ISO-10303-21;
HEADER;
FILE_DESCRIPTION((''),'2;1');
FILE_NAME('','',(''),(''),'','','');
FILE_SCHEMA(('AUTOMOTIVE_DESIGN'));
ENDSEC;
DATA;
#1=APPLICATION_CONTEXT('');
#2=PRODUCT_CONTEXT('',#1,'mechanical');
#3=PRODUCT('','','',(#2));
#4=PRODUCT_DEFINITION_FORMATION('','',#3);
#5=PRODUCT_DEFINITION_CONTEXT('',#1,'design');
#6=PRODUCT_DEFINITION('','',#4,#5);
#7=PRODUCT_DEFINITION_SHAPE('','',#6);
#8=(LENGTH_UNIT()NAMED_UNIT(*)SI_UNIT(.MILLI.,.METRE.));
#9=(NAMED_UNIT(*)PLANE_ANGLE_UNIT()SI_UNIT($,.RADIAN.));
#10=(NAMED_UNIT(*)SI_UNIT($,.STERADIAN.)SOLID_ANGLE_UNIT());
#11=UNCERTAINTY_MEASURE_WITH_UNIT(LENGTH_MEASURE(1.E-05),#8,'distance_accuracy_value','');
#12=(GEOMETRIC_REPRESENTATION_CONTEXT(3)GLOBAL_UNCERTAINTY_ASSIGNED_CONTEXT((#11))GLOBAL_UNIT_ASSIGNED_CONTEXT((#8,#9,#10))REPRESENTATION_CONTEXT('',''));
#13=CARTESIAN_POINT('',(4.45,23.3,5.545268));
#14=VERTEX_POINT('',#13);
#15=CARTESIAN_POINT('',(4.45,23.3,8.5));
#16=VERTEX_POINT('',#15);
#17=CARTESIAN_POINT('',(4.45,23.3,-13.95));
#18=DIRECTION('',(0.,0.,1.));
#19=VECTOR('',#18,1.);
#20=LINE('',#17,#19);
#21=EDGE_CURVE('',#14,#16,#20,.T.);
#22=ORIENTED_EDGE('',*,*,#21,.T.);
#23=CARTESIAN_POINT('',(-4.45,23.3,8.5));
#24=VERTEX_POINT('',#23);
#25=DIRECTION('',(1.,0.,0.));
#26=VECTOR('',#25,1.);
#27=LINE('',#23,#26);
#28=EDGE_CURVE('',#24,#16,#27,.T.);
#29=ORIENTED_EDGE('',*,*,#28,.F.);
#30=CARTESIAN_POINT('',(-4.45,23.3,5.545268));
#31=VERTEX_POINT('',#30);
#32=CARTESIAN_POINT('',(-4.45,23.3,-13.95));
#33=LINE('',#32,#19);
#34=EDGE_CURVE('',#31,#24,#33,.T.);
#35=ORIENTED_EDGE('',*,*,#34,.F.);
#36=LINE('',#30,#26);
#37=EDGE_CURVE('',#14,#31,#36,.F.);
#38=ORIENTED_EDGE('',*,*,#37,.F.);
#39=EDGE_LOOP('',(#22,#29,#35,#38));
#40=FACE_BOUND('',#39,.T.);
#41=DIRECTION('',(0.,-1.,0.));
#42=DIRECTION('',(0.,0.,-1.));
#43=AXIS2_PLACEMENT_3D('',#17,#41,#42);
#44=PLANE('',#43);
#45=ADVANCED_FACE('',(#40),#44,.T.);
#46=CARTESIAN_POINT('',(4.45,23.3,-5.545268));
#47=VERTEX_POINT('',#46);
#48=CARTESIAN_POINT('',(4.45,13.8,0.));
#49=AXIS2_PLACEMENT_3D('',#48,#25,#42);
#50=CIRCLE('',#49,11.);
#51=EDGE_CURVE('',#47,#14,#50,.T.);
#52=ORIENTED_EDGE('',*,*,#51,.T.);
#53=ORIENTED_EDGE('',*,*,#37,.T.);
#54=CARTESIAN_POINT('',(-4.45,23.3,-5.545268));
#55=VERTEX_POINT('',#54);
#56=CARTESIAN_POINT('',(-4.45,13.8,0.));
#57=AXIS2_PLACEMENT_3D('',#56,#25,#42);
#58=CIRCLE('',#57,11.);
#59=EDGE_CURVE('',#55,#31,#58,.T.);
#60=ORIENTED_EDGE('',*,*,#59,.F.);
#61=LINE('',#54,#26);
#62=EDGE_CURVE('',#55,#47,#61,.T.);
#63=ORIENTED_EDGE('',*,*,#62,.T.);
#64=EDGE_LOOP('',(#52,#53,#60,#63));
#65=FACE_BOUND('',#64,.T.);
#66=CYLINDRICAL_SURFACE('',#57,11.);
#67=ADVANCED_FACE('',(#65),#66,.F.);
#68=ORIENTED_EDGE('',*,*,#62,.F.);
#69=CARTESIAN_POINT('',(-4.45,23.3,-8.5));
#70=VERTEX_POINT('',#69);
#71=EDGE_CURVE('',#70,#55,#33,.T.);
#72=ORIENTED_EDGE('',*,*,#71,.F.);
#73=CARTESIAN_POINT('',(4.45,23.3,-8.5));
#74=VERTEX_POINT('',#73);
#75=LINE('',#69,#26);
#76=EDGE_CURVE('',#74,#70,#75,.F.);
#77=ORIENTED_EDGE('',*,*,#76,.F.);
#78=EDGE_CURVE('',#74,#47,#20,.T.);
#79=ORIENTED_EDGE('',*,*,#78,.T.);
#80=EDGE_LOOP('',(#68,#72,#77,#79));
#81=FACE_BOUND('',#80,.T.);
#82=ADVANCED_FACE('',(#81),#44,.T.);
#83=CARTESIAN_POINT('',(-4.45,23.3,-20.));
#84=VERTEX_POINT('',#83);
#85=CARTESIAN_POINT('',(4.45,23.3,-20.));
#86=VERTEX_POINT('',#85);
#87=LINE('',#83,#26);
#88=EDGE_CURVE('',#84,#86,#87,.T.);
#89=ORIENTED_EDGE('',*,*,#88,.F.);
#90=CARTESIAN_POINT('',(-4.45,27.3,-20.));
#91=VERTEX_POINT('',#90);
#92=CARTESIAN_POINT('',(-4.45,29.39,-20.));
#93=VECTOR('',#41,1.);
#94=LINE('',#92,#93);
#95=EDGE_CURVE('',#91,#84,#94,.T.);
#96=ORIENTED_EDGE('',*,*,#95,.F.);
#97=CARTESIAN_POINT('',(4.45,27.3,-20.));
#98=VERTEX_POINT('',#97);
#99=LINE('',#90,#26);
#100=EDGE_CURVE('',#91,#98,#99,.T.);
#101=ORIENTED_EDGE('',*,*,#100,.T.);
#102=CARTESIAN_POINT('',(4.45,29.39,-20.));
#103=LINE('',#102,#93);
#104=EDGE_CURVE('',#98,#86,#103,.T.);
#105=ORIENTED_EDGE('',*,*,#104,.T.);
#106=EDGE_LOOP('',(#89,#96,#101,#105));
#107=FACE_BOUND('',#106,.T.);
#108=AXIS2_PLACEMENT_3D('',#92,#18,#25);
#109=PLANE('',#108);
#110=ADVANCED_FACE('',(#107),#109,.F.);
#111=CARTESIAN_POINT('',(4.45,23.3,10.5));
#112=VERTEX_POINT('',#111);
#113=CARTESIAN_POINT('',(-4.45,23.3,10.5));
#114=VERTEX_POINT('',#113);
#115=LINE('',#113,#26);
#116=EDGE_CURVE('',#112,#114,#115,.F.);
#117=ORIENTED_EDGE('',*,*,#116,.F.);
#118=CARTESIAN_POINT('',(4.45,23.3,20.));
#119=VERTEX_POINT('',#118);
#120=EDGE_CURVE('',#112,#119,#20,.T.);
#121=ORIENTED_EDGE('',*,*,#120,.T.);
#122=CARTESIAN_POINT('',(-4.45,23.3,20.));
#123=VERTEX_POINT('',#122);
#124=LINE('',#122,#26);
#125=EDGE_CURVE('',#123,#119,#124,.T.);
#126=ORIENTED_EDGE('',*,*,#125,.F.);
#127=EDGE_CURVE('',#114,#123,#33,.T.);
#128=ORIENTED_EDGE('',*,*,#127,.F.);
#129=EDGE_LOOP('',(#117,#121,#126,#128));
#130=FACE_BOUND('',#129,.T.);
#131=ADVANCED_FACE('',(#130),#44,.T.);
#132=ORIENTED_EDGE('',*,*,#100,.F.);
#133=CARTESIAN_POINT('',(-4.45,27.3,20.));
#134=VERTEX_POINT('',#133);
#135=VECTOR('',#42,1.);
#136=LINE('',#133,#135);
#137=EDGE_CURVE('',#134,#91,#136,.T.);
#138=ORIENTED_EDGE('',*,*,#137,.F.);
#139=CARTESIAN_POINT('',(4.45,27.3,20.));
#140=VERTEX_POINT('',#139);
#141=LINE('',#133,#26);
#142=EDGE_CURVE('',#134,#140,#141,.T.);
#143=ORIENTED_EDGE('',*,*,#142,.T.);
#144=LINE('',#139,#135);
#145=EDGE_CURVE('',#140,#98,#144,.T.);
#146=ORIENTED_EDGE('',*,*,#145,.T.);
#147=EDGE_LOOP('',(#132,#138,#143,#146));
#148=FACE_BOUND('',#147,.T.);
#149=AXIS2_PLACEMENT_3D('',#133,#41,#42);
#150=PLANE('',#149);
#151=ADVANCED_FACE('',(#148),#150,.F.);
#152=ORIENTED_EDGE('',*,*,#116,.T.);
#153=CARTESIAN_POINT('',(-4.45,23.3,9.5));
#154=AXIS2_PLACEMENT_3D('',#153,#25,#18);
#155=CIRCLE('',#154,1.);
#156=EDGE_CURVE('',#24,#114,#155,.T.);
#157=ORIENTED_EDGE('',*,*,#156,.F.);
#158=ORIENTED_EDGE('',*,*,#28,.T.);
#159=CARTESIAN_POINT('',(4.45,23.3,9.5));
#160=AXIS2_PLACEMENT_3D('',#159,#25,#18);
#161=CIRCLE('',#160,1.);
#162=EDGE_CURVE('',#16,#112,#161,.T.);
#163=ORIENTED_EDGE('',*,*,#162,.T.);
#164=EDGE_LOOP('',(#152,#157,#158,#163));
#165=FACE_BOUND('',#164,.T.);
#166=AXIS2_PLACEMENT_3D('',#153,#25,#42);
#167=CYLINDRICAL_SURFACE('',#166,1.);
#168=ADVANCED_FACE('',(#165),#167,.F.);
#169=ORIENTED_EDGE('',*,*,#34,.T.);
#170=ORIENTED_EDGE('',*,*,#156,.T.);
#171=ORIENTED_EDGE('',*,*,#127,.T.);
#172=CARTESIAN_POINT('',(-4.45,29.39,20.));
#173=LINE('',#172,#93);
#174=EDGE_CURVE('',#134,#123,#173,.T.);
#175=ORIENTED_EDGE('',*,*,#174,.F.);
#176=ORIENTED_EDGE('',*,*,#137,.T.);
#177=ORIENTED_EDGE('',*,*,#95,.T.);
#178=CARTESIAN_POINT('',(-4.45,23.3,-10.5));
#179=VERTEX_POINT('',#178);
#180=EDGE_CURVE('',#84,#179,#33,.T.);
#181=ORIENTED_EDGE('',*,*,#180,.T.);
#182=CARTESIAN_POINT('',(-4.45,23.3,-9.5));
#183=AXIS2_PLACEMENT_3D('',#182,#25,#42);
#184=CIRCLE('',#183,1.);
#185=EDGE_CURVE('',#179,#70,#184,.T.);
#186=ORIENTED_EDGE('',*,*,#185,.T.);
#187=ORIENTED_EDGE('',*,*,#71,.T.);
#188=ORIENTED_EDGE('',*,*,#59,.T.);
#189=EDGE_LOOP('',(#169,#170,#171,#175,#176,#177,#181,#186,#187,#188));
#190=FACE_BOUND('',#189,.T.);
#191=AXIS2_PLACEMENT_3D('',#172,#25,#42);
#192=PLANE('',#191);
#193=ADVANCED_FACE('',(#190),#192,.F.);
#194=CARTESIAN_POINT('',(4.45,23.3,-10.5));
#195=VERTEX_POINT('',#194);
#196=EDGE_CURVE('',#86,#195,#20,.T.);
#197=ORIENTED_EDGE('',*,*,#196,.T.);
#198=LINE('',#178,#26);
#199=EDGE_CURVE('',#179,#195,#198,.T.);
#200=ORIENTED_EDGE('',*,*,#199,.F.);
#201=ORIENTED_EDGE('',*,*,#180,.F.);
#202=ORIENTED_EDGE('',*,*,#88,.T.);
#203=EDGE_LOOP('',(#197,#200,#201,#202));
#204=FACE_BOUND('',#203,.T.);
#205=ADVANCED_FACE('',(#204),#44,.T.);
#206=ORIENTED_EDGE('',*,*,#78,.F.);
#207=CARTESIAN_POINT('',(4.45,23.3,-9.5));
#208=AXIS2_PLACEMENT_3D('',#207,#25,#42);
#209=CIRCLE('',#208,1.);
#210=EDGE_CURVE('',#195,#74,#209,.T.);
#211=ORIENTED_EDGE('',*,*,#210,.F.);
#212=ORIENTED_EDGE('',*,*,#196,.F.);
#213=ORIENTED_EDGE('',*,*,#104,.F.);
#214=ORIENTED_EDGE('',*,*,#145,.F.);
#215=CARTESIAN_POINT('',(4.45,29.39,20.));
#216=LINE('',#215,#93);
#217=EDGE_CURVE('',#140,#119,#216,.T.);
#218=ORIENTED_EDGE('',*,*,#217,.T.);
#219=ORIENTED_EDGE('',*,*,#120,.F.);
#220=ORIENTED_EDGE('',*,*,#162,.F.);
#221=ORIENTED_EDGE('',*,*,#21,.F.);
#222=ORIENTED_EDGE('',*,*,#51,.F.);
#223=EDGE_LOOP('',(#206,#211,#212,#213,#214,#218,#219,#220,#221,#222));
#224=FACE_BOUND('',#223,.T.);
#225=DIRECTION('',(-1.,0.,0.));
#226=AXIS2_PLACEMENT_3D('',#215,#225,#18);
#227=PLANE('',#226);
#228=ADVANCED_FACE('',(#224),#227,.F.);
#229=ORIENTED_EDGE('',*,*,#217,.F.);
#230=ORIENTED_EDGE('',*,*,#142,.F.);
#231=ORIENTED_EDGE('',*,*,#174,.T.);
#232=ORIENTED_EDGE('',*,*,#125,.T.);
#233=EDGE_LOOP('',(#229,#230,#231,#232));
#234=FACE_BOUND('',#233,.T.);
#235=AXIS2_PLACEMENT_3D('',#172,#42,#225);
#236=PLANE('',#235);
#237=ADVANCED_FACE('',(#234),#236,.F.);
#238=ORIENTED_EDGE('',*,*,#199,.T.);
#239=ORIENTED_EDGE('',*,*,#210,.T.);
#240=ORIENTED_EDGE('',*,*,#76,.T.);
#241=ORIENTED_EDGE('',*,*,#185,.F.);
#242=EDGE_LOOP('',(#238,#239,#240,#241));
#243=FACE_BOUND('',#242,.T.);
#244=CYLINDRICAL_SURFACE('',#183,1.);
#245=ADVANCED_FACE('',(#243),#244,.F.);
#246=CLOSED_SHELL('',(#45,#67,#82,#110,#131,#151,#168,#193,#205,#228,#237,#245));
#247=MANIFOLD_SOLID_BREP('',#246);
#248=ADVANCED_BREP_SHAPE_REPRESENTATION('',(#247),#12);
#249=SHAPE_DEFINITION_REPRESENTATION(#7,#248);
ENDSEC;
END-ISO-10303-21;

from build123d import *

# Parameters (mm, degrees)
SKETCH1_W           = 8.9
SKETCH1_H           = 40
BOSS_EXTRUDE1_DEPTH = 29.39
SKETCH5_W           = 27.9
SKETCH5_H           = 23.3
CUT_EXTRUDE2_DEPTH  = 37.646720181
SKETCH7_R           = 1
SKETCH7_R_2         = 11
CUT_EXTRUDE3_DEPTH  = 37.646720181
SKETCH8_W           = 40
SKETCH8_H           = 23.3
CUT_EXTRUDE4_DEPTH  = 37.646720181
SKETCH9_W           = 40
SKETCH9_H           = 2.09
CUT_EXTRUDE5_DEPTH  = 37.646720181


with BuildPart() as part:
    # Sketch1 → Boss-Extrude1 (new body)
    with BuildSketch(Plane(origin=(0, 0, 0), x_dir=(1, 0, 0), z_dir=(0, 1, 0))):
        Rectangle(SKETCH1_W, SKETCH1_H)
    extrude(amount=BOSS_EXTRUDE1_DEPTH)

    # Sketch5 → Cut-Extrude2 (cut, through all)
    with BuildSketch(Plane.ZY.offset(4.45)):
        with Locations((0, 11.65)):
            Rectangle(SKETCH5_W, SKETCH5_H)
    extrude(amount=-CUT_EXTRUDE2_DEPTH, mode=Mode.SUBTRACT)

    # Sketch7 → Cut-Extrude3 (cut, through all)
    with BuildSketch(Plane(origin=(4.45, 0, 0), x_dir=(0, 0, -1), z_dir=(1, 0, 0))):
        with Locations((9.5, 23.3)):
            Circle(SKETCH7_R)
        with Locations((-9.5, 23.3)):
            Circle(SKETCH7_R)
        with Locations((0, 13.8)):
            Circle(SKETCH7_R_2)
    extrude(amount=-CUT_EXTRUDE3_DEPTH, mode=Mode.SUBTRACT)

    # Sketch8 → Cut-Extrude4 (cut, through all)
    with BuildSketch(Plane(origin=(4.45, 0, 0), x_dir=(0, 0, -1), z_dir=(1, 0, 0))):
        with Locations((0, 11.65)):
            Rectangle(SKETCH8_W, SKETCH8_H)
    extrude(amount=-CUT_EXTRUDE4_DEPTH, mode=Mode.SUBTRACT)

    # Sketch9 → Cut-Extrude5 (cut, through all)
    with BuildSketch(Plane(origin=(4.45, 0, 0), x_dir=(0, 0, -1), z_dir=(1, 0, 0))):
        with Locations((0, 28.345)):
            Rectangle(SKETCH9_W, SKETCH9_H)
    extrude(amount=-CUT_EXTRUDE5_DEPTH, mode=Mode.SUBTRACT)


solid = part.part
